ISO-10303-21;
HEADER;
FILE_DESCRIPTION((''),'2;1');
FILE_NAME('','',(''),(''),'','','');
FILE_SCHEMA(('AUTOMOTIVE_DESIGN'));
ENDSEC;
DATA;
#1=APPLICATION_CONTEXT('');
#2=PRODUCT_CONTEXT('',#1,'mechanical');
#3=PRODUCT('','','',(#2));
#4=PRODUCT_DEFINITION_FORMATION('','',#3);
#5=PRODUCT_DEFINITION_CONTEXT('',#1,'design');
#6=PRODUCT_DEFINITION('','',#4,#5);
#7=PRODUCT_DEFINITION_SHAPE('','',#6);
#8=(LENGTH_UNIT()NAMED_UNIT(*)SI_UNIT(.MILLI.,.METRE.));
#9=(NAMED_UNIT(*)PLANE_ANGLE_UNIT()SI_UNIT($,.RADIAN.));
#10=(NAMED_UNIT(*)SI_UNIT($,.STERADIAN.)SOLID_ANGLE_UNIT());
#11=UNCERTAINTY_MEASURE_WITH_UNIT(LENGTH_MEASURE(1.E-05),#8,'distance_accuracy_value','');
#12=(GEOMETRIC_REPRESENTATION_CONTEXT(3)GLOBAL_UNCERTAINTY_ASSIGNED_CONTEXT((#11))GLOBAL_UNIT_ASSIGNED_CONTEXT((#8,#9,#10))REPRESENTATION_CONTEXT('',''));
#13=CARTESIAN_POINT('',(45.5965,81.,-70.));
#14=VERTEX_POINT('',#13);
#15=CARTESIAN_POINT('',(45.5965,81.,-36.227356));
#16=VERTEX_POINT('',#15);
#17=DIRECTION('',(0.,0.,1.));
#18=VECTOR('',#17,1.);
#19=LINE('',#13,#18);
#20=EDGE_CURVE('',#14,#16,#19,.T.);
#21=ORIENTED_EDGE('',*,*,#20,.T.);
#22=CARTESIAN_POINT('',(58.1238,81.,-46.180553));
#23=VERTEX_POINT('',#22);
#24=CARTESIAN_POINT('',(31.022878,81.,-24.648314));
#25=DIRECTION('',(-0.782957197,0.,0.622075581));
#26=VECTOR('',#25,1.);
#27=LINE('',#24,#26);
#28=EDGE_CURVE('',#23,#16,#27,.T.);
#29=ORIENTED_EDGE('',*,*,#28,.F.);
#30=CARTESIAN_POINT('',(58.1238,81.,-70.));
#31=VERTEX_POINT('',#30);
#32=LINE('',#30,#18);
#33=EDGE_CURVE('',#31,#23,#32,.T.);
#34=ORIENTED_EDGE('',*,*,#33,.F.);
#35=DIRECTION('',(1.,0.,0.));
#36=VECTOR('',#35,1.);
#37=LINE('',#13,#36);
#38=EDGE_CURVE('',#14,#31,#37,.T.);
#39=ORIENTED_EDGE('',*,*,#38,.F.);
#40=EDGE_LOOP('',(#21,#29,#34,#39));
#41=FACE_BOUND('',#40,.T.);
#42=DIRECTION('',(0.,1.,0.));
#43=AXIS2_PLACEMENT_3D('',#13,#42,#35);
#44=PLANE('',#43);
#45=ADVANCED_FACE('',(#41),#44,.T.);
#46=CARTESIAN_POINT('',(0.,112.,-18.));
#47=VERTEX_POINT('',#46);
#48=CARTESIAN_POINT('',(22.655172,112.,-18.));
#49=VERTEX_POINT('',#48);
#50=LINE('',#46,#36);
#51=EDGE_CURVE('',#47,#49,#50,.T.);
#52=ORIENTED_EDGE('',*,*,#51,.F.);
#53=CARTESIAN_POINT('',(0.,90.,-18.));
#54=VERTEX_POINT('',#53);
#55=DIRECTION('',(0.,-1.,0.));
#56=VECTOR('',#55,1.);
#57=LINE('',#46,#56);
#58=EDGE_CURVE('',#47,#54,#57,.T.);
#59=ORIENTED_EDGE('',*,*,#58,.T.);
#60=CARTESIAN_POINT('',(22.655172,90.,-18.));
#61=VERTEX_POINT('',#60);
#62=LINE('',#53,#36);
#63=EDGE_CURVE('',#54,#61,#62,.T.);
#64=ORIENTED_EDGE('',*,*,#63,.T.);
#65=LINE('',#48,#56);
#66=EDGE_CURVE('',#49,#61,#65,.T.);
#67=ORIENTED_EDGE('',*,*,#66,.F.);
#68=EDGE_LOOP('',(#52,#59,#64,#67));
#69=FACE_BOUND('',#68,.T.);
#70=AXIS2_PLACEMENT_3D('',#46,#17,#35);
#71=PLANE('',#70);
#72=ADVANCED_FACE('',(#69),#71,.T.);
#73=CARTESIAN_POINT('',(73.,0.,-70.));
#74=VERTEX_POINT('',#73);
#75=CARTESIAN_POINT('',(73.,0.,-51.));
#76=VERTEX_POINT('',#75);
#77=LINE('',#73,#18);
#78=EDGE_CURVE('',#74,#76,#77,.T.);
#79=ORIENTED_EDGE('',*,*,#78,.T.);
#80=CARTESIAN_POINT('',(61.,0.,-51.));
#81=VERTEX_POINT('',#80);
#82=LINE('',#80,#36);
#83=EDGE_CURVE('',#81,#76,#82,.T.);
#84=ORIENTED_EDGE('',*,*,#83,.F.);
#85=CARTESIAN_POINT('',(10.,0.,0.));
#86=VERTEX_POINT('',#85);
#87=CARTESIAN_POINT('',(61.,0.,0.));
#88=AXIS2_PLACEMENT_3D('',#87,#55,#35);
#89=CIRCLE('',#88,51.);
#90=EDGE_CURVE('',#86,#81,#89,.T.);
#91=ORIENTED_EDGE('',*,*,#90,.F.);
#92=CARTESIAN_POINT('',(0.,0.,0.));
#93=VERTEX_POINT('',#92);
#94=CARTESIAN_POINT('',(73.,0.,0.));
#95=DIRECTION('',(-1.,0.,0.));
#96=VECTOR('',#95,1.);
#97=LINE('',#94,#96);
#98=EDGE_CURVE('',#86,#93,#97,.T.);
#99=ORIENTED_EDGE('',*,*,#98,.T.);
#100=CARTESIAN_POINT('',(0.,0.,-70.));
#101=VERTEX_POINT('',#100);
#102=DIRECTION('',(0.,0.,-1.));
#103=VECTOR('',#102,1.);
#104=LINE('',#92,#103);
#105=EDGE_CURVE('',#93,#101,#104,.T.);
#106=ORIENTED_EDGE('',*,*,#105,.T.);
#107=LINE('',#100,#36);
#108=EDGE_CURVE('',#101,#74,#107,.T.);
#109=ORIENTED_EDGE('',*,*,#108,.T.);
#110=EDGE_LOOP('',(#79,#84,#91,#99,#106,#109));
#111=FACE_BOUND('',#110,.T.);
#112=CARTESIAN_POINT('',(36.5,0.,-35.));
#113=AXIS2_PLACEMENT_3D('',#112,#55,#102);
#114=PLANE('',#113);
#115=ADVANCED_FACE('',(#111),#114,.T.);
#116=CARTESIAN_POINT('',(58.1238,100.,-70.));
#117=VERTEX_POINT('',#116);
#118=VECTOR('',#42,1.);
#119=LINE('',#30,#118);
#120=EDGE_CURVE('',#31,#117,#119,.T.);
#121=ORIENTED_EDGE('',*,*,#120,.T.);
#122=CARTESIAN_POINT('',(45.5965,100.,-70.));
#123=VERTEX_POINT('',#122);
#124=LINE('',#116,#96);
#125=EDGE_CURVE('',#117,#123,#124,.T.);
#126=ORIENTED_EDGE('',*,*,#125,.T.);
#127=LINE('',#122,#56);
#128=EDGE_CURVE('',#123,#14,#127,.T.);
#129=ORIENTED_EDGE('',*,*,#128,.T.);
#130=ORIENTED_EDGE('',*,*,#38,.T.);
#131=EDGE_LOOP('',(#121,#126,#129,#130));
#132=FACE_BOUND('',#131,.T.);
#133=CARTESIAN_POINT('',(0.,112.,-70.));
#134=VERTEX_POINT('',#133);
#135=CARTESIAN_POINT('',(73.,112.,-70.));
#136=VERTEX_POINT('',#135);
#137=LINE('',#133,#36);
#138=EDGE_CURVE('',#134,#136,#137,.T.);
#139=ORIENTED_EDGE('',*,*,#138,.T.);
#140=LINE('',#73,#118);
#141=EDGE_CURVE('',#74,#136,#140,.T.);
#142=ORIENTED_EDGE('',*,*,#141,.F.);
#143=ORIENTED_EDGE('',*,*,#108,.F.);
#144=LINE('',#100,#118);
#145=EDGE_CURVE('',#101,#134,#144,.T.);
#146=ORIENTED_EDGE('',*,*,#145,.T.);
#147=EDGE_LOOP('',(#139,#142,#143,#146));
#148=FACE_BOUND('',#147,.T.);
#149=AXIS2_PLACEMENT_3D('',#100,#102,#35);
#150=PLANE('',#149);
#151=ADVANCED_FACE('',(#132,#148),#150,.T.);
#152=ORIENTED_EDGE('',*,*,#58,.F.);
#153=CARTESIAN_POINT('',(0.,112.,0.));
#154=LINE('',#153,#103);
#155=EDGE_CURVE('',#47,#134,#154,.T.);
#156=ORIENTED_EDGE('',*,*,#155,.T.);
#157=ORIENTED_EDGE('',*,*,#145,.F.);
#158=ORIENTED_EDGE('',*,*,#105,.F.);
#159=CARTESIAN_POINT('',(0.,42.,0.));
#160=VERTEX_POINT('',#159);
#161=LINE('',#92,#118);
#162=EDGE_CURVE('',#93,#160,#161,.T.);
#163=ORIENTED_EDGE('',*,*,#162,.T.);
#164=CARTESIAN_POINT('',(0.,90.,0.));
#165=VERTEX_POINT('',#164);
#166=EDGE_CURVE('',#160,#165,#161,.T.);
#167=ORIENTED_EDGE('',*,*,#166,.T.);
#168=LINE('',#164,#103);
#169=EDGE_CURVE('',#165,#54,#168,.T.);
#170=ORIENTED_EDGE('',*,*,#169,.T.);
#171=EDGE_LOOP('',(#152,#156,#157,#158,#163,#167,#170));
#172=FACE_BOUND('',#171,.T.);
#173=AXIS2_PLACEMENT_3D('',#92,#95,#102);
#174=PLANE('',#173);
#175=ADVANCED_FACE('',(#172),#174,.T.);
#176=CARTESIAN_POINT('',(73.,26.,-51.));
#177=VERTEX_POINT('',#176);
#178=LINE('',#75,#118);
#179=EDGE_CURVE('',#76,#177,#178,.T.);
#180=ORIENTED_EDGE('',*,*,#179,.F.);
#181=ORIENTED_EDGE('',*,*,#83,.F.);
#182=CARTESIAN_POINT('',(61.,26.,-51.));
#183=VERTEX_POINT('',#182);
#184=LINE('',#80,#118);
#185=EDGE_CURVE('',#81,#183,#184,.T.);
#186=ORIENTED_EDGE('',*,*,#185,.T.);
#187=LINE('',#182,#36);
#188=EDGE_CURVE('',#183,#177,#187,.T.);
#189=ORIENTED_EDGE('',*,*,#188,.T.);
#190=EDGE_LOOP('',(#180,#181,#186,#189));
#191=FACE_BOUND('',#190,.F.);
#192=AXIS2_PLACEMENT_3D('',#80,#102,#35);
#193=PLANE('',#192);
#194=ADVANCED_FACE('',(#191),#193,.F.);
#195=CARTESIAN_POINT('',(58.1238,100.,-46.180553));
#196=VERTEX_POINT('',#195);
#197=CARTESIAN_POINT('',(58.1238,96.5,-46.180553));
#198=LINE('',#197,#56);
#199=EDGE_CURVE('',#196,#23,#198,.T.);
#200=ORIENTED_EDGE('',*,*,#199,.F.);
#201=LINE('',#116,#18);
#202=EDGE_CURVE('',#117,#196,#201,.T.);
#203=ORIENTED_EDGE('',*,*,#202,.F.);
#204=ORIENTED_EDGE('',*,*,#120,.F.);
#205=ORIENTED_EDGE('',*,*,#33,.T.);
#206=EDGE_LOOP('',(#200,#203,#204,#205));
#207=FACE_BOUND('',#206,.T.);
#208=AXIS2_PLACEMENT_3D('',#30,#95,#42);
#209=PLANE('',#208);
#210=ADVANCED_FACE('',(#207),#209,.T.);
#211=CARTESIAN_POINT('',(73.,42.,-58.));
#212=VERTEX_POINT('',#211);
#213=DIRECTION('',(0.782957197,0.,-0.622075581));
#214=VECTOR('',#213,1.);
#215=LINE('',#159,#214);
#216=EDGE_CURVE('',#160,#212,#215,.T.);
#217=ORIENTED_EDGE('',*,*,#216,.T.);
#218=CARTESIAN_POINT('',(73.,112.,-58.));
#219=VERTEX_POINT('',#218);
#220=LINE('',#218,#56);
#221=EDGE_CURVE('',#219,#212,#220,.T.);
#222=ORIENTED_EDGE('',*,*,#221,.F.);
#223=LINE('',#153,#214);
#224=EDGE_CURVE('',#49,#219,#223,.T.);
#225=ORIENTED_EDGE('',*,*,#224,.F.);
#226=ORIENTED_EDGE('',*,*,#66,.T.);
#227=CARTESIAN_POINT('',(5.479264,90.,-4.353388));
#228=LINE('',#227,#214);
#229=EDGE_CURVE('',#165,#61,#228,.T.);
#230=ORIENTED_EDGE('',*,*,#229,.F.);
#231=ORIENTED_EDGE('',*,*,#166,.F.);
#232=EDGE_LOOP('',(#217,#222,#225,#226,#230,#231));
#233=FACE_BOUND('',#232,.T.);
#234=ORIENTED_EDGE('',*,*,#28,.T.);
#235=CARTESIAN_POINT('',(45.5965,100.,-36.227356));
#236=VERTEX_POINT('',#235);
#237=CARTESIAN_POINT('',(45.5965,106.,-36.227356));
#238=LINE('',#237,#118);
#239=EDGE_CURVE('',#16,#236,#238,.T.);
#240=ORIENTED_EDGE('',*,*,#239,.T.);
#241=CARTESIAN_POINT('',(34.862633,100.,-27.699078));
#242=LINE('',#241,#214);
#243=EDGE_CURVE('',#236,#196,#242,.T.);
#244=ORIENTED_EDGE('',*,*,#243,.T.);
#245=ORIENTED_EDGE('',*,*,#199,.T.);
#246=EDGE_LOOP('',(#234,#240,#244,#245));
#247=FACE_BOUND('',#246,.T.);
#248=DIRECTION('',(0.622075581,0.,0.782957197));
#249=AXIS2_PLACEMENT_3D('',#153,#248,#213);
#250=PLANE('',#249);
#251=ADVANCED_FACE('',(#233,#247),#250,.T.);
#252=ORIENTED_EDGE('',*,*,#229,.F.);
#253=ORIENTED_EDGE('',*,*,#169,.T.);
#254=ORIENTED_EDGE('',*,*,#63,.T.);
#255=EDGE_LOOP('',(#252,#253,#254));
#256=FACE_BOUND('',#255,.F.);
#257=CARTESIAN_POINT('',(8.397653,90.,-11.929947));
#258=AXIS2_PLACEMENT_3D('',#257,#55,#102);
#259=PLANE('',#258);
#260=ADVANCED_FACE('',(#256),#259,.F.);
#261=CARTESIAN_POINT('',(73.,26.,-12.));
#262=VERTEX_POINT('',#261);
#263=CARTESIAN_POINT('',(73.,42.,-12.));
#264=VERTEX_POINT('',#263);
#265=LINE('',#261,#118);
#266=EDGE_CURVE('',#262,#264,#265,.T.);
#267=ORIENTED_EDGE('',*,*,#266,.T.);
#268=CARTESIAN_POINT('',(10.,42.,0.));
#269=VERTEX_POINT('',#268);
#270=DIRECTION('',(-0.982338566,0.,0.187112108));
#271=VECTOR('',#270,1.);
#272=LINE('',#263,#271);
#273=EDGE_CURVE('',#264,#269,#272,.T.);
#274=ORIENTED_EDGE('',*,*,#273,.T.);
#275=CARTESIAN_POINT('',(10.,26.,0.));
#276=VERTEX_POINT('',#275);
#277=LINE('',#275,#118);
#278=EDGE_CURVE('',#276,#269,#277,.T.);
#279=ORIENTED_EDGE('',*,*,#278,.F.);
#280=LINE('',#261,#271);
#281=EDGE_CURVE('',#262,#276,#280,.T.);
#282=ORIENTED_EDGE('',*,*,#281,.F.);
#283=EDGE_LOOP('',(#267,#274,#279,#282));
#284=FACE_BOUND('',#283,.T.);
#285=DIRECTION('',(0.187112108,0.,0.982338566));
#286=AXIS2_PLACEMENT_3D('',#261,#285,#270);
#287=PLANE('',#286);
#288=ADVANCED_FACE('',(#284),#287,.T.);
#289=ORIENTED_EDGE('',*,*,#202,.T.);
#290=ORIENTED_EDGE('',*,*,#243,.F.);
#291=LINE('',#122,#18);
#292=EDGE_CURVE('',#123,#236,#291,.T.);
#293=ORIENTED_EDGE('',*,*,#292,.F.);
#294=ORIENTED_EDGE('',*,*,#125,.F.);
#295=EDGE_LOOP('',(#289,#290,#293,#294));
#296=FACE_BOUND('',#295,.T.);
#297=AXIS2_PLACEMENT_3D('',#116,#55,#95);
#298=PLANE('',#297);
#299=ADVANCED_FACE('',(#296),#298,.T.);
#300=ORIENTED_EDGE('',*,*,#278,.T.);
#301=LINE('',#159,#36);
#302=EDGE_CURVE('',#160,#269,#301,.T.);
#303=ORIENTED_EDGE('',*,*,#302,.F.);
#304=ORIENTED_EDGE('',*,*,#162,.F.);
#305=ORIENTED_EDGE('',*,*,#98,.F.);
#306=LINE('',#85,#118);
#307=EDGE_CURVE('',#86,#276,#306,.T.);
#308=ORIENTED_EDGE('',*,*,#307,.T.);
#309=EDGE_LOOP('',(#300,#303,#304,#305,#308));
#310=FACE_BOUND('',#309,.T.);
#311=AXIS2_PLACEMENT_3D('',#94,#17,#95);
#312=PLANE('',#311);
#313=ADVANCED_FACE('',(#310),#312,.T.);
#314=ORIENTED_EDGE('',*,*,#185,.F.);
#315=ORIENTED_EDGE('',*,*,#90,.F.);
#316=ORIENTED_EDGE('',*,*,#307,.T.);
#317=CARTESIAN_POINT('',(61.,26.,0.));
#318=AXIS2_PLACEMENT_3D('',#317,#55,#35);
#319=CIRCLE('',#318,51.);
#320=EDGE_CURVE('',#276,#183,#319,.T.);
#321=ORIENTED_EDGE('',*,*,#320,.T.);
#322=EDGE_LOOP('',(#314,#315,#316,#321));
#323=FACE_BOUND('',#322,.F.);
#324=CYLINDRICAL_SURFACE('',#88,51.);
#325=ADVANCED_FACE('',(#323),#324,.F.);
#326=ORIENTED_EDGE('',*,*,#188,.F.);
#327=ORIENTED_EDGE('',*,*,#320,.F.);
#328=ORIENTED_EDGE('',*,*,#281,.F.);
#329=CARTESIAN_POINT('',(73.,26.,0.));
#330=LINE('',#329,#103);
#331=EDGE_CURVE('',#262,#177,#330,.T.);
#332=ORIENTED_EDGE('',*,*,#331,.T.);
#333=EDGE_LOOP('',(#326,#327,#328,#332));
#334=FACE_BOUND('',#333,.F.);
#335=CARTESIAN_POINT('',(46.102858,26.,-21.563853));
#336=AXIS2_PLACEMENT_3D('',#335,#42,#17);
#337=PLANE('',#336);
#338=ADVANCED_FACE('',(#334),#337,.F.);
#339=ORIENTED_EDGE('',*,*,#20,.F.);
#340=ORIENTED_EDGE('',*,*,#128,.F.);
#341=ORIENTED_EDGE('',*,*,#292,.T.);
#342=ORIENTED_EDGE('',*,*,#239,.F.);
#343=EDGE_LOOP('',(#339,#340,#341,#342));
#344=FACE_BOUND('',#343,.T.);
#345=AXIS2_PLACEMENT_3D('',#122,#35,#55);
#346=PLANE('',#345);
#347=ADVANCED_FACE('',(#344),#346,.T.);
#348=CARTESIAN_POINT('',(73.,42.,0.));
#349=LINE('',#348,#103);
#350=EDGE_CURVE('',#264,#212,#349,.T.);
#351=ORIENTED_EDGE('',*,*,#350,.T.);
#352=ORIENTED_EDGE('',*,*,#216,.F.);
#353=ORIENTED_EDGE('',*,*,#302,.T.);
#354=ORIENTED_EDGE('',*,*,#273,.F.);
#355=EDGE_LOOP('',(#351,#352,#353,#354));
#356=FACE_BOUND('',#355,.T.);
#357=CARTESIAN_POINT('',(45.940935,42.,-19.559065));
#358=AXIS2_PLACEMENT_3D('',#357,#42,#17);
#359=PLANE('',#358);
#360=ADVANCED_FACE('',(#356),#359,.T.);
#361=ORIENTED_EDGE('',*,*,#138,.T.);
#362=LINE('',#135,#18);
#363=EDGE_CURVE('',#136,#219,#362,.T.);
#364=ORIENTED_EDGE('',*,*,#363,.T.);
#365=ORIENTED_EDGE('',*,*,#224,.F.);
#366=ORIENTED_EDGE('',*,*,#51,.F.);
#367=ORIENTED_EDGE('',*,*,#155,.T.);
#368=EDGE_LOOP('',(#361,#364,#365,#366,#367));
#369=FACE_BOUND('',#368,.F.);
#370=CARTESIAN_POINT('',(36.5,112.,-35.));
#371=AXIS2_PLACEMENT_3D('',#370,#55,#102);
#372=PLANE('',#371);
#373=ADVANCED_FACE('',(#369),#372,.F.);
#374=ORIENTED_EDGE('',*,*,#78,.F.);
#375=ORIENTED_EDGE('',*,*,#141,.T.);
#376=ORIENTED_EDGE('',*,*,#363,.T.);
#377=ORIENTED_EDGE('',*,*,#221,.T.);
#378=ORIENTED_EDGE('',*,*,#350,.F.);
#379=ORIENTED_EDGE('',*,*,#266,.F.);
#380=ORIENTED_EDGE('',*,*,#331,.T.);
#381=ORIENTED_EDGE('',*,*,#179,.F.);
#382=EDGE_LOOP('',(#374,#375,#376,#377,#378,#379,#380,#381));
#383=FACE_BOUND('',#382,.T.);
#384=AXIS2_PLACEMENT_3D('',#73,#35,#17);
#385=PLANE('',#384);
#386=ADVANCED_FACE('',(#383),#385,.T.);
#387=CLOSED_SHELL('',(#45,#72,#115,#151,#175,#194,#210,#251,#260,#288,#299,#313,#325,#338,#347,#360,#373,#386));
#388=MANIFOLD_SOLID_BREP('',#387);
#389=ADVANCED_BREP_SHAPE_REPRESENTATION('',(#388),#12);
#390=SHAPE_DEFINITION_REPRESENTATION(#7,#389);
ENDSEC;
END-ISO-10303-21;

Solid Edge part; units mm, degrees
sketch "Sketch1" plane through (0, 0, 0) normal (0, -1, 0) x (1, 0, 0)
  line L0 (73, 0) -> (0, 0)
  line L1 (0, 0) -> (0, -70)
  line L2 (0, -70) -> (73, -70)
  line L3 (73, -70) -> (73, 0)
extrude "Protrusion1" add sketch "Sketch1" against normal blind 112
sketch "Sketch2" plane through (36.5, 0, -35) normal (0, -1, 0) x (1, 0, 0)
  line L0 (-26.5, 35) -> (36.5, 35)
  line L1 (36.5, 35) -> (36.5, -16)
  line L2 (24.5, -16) -> (36.5, -16)
  arc A0 (-26.5, 35) -> (24.5, -16) centre (24.5, 35) ccw
extrude "ExtrudedCutout_1" cut sketch "Sketch2" against normal blind 26
sketch "Sketch3" plane through (41.5, 26, -25.5) normal (0, -1, 0) x (1, 0, 0)
  line L0 (31.5, 25.5) -> (-31.5, 25.5)
  line L1 (31.5, 13.5) -> (-31.5, 25.5)
  line L2 (31.5, 25.5) -> (31.5, 13.5)
extrude "ExtrudedCutout_2" cut sketch "Sketch3" against normal blind 16
sketch "Sketch4" plane through (36.5, 112, -35) normal (0, 1, 0) x (-1, 0, 0)
  line L0 (-36.5, 35) -> (-36.5, -23)
  line L1 (36.5, 35) -> (-36.5, -23)
  line L2 (36.5, 35) -> (-36.5, 35)
extrude "ExtrudedCutout_3" cut sketch "Sketch4" against normal blind 70
sketch "Sketch5" plane through (36.5, 112, -35) normal (0, 1, 0) x (-1, 0, 0)
  line L0 (13.8448, 17) -> (36.5, 35)
  line L1 (36.5, 35) -> (36.5, 17)
  line L2 (36.5, 17) -> (13.8448, 17)
extrude "ExtrudedCutout_4" cut sketch "Sketch5" against normal blind 22
sketch "Sketch6" plane through (36.5, 56, -70) normal (0, 0, -1) x (0, -1, 0)
  line L0 (-25, -21.6238) -> (-44, -21.6238)
  line L1 (-44, -21.6238) -> (-44, -9.0965)
  line L2 (-44, -9.0965) -> (-25, -9.0965)
  line L3 (-25, -9.0965) -> (-25, -21.6238)
extrude "ExtrudedCutout_6" cut sketch "Sketch6" against normal blind 64.3754
